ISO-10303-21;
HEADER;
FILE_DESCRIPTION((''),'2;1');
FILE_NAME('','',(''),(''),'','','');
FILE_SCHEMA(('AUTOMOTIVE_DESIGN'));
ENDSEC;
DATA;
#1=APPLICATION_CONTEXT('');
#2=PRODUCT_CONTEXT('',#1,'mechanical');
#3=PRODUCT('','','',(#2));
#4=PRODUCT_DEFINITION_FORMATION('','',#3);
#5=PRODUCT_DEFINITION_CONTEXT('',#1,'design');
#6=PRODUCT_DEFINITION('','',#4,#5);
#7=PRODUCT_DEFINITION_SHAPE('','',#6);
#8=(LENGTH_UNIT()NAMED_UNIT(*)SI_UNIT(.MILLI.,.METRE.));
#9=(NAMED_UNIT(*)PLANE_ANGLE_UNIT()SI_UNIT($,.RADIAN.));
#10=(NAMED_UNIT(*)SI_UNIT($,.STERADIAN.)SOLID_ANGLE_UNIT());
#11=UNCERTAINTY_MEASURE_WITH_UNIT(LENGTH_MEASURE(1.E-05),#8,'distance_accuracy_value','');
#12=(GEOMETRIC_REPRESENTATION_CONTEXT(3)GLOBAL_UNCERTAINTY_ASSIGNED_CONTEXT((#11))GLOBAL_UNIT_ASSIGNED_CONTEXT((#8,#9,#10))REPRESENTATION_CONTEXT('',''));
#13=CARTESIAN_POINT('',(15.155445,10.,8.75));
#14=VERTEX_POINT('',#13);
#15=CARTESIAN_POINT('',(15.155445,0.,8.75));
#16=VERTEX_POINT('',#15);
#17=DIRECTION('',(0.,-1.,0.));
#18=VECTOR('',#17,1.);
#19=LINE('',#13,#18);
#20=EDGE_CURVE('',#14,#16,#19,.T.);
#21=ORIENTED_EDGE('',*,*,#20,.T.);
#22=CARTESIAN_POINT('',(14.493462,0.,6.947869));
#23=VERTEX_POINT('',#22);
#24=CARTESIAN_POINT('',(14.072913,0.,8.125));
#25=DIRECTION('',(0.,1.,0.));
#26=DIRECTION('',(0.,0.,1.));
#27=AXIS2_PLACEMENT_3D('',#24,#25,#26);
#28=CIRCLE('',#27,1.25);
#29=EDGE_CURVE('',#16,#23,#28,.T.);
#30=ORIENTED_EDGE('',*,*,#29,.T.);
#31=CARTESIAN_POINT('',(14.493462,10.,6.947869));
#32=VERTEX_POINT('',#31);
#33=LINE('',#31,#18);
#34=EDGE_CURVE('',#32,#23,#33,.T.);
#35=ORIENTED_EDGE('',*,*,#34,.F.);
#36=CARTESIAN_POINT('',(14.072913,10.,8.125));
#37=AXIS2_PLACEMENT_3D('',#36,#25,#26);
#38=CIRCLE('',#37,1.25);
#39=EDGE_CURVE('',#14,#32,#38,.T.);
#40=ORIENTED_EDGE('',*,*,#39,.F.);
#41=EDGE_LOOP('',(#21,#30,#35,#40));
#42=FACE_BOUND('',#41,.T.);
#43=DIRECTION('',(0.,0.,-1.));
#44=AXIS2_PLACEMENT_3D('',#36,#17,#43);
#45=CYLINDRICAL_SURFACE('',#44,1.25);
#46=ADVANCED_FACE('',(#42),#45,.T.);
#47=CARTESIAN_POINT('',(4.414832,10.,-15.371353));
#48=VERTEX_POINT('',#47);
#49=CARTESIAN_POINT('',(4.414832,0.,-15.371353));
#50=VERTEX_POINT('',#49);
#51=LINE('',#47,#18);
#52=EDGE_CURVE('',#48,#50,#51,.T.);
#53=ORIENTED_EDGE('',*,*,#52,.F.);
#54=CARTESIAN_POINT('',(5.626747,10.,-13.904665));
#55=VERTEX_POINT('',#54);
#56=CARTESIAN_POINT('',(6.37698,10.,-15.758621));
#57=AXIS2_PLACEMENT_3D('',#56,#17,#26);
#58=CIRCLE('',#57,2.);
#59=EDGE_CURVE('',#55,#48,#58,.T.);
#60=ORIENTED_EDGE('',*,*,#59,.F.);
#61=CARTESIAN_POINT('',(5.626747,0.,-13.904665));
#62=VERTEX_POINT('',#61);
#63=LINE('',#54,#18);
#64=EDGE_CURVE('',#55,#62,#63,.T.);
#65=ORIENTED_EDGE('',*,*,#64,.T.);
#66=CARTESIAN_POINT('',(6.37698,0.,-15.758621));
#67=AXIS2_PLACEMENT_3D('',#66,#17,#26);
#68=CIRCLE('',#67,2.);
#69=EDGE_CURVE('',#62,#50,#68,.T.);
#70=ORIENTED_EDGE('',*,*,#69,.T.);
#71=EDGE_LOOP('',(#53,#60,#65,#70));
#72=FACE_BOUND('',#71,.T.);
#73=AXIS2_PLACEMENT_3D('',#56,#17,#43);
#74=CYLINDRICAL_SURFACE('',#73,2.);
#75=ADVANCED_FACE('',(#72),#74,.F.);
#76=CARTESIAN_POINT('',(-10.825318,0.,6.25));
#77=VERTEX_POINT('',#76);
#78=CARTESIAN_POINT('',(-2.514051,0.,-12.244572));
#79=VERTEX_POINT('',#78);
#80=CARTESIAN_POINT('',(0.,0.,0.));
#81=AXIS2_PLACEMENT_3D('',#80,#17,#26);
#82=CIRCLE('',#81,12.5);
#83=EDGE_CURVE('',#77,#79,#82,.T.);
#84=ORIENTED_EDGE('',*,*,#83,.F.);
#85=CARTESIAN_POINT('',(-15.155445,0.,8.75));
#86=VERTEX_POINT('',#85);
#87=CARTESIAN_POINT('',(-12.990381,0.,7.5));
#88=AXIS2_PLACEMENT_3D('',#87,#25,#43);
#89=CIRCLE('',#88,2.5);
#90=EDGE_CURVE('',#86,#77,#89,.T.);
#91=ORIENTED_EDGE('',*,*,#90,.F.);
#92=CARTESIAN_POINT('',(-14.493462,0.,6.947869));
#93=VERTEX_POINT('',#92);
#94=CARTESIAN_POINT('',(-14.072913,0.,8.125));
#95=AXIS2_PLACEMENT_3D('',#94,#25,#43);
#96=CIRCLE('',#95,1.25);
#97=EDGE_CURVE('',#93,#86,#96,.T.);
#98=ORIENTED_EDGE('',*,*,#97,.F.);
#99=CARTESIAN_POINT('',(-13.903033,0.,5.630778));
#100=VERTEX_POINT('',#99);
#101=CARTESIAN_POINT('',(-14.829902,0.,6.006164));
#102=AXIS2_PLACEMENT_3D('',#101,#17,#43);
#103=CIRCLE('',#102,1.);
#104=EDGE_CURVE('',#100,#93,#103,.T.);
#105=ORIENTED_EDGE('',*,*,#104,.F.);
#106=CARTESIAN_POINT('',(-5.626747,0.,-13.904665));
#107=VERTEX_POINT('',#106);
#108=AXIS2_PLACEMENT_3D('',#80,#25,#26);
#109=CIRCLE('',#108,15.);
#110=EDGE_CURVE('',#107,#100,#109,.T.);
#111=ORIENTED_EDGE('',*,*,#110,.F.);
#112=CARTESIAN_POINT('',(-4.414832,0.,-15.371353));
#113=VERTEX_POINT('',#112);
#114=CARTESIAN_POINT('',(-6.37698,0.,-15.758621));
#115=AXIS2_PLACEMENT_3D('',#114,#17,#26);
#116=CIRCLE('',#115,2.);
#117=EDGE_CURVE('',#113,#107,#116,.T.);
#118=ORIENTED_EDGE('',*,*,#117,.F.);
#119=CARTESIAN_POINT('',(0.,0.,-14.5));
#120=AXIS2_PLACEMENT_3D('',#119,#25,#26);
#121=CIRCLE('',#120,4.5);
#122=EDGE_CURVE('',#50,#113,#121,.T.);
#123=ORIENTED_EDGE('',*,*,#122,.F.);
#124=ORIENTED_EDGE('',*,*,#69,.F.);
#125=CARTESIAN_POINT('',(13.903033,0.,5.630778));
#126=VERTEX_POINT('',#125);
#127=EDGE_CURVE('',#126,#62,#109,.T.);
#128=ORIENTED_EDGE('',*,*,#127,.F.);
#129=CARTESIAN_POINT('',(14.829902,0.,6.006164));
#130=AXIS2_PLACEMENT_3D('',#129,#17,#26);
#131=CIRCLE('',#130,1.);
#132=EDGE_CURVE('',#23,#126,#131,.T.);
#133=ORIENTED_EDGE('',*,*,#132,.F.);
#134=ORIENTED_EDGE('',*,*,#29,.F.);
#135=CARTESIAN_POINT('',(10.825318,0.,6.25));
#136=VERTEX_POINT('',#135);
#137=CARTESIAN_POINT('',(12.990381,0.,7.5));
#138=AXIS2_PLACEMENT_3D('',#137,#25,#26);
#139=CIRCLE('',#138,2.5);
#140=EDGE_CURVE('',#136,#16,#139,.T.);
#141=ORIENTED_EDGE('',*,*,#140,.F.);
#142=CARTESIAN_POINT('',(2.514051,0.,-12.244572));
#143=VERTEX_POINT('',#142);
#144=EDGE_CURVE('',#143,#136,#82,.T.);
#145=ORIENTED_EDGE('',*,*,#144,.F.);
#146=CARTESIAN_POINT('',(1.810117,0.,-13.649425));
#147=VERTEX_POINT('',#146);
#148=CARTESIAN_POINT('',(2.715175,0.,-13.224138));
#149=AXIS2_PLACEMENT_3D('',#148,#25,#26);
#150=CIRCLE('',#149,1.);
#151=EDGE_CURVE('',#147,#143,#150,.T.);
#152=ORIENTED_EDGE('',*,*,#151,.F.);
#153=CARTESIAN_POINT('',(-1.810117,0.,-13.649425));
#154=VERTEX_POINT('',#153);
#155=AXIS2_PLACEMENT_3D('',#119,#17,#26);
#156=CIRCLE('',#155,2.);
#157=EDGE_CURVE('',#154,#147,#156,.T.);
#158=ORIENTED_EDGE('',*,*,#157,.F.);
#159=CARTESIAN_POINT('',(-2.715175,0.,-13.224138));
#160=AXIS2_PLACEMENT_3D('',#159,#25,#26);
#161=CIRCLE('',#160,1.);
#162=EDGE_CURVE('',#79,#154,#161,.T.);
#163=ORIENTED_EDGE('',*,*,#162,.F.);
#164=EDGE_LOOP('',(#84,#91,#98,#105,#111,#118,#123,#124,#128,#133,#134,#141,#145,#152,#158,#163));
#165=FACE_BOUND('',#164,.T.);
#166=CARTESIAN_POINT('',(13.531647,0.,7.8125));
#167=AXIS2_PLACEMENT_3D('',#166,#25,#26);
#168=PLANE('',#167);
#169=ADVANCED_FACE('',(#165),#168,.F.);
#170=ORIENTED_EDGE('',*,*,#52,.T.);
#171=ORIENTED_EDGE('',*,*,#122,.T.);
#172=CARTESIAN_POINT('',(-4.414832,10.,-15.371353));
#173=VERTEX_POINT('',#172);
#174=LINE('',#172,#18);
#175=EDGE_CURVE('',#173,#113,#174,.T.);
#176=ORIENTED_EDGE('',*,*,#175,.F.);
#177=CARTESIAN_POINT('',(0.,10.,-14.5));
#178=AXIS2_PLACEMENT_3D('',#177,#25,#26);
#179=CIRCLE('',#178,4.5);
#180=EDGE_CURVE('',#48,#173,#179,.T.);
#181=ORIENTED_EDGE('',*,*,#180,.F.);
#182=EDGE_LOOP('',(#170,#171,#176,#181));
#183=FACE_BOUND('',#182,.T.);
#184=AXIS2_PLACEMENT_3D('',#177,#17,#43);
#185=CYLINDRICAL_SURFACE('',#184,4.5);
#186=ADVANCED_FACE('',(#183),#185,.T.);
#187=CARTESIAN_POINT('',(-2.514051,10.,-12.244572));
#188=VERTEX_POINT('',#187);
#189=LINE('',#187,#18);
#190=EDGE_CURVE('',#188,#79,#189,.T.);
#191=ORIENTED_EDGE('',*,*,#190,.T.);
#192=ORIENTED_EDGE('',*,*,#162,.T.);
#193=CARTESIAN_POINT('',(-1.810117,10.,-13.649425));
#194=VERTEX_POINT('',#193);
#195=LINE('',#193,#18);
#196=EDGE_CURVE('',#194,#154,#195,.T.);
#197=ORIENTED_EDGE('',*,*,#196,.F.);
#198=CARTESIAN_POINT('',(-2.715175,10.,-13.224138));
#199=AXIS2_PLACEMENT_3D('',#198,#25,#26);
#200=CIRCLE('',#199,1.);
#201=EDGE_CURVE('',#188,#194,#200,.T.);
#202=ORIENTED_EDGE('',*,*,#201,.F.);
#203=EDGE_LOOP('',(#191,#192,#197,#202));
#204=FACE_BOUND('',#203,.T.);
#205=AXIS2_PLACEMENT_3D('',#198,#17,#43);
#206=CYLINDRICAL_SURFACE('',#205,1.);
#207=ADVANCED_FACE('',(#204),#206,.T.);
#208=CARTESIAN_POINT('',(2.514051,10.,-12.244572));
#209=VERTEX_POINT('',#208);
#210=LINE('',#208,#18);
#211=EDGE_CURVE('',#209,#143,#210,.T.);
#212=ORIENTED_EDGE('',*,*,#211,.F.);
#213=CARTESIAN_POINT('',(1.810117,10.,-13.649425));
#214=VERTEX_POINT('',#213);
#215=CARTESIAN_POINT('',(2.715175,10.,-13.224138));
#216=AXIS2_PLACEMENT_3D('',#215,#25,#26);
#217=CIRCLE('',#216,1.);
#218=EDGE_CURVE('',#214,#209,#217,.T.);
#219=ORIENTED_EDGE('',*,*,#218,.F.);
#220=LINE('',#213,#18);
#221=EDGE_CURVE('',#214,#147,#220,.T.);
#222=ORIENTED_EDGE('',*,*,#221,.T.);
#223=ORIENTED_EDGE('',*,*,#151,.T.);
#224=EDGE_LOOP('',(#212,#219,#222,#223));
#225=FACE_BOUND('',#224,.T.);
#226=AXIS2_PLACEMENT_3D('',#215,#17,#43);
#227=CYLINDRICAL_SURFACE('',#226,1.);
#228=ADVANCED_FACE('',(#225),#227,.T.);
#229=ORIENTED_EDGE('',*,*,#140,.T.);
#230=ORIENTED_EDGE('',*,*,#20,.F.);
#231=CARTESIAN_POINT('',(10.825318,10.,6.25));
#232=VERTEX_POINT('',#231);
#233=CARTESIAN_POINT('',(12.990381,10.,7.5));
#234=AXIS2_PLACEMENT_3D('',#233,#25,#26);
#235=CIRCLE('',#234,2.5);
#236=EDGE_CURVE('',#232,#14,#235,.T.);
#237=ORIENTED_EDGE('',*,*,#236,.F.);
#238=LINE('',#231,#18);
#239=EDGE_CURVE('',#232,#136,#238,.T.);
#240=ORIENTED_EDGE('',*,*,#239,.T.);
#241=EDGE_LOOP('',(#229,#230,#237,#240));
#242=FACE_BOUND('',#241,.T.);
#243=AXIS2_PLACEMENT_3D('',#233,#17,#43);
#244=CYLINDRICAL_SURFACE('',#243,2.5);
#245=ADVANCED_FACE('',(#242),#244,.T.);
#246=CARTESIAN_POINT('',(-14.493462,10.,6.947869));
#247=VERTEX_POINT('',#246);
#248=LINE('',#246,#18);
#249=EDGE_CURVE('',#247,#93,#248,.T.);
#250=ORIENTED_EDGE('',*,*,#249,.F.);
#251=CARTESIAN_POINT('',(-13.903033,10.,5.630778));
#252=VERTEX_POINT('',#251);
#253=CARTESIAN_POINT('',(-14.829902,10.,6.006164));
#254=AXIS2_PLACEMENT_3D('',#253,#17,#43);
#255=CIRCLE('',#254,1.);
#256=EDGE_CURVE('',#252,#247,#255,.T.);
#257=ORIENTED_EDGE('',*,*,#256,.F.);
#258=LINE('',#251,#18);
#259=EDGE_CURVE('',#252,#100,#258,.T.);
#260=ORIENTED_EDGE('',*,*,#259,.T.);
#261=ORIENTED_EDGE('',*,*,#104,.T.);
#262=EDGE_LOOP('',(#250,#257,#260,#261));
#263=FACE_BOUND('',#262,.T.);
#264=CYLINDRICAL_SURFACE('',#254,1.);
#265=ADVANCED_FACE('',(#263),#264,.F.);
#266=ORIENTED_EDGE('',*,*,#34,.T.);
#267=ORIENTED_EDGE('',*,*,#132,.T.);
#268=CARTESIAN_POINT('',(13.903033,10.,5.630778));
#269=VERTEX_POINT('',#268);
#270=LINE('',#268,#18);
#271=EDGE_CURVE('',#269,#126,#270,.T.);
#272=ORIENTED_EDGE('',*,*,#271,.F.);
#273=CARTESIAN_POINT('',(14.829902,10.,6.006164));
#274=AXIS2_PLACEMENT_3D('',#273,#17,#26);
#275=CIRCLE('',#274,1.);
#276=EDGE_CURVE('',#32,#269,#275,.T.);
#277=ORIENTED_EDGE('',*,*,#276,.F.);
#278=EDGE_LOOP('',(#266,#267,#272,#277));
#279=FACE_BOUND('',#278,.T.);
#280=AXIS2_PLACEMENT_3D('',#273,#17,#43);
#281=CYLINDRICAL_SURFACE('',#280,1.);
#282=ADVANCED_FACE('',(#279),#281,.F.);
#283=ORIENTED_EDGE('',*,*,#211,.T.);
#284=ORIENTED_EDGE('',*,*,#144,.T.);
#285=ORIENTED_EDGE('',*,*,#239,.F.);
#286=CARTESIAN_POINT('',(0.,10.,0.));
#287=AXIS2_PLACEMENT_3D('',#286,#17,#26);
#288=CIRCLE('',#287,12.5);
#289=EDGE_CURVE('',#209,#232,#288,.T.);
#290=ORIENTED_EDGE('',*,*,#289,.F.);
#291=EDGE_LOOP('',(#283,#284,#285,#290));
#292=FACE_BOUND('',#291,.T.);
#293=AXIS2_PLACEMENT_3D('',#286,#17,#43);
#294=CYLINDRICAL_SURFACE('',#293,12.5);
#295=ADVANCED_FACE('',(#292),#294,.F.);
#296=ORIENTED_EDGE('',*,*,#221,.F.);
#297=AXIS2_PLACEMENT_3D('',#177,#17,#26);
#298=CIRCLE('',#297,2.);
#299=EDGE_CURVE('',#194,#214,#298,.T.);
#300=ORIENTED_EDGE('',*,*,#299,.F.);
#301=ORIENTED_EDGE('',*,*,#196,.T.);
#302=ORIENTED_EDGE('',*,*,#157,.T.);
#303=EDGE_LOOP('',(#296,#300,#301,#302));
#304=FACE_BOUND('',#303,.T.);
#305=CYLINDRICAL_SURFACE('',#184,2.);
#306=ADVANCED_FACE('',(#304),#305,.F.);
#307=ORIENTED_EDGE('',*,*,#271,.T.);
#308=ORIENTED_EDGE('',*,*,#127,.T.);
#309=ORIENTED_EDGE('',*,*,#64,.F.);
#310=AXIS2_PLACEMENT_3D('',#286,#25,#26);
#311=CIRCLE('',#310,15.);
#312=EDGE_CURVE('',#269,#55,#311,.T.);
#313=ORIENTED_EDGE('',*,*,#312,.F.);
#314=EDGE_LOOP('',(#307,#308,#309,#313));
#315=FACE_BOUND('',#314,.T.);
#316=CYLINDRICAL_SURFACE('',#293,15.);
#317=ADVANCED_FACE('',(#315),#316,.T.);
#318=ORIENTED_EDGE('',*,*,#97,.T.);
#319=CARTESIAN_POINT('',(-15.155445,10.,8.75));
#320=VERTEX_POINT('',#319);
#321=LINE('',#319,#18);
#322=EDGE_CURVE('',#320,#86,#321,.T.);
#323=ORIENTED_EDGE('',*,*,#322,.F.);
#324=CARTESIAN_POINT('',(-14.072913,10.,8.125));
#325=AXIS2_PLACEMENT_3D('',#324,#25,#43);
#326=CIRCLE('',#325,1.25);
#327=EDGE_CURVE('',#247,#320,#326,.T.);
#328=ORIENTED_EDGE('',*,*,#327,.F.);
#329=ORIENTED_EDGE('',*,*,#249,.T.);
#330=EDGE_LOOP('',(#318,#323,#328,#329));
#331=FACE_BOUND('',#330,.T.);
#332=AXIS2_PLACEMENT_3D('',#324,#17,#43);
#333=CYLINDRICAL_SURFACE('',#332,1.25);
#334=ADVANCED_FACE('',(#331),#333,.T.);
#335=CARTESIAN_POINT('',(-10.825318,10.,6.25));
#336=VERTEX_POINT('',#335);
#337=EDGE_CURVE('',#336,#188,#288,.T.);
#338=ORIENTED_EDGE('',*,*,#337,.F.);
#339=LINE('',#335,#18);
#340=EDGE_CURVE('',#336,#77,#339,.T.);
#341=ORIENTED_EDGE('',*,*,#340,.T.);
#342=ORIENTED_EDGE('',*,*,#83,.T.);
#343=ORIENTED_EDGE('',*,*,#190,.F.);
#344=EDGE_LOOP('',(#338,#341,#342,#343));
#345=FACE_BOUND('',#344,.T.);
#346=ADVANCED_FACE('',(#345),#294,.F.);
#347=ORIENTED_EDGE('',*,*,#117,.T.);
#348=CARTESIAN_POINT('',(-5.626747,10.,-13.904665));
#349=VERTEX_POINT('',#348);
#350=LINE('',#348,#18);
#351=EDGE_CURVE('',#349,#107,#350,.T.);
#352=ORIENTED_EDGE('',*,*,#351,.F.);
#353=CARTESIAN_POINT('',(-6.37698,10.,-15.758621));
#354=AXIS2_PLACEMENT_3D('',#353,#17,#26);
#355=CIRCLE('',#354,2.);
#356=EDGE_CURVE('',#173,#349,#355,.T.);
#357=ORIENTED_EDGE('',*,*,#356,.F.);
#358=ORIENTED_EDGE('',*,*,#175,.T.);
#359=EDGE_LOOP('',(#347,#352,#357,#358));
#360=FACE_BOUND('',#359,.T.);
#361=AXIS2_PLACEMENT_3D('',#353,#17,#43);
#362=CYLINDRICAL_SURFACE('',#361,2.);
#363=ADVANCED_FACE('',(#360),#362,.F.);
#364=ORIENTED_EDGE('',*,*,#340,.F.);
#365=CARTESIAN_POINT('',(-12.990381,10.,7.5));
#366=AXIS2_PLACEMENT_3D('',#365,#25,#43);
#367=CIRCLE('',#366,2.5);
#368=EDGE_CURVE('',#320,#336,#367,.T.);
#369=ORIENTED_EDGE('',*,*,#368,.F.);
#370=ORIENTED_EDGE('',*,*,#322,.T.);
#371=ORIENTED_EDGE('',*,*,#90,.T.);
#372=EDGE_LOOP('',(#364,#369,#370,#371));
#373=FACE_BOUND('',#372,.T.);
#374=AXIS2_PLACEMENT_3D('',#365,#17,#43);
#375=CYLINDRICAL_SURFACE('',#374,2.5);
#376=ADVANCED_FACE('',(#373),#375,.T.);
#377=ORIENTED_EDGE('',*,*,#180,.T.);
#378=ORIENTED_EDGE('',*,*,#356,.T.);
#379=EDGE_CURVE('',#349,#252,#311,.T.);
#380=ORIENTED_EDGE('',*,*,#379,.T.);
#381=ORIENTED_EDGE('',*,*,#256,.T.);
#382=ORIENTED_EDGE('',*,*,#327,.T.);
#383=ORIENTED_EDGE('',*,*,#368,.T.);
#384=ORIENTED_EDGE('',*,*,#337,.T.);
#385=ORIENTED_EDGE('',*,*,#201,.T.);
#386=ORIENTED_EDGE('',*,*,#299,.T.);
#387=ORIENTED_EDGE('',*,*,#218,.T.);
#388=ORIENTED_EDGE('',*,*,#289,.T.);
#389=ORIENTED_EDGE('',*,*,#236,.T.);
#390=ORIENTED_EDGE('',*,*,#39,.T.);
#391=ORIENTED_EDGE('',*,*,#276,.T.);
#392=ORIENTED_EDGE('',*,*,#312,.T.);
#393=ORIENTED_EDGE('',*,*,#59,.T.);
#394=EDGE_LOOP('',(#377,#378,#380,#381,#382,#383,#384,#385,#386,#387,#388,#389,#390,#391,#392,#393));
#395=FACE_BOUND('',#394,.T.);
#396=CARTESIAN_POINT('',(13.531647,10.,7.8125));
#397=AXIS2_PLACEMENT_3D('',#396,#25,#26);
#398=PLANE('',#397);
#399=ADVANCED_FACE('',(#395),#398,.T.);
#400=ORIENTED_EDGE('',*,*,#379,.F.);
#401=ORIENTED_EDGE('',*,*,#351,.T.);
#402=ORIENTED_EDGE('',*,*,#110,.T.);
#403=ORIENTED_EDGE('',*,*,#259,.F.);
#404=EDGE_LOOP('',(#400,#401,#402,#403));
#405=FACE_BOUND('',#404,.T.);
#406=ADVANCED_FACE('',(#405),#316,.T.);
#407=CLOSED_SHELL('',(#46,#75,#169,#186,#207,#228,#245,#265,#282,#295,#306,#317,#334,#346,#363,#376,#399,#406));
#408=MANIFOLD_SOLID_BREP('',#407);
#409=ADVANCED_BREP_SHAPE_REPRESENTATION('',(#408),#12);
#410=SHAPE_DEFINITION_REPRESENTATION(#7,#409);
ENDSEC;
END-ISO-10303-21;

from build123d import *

# Parameters (mm, degrees)
SKETCH2_R               = 10.5
BOSS_EXTRUDE1_DEPTH     = 42
SKETCH3_R               = 12.5
BOSS_EXTRUDE2_DEPTH     = 4
SKETCH4_R               = 2.5
CUT_EXTRUDE1_DEPTH      = 12
CUT_EXTRUDE2_DEPTH      = 6
SKETCH6_R               = 12.5
SKETCH6_R_2             = 3.35
BOSS_EXTRUDE3_DEPTH     = 1
SKETCH8_W               = 3
SKETCH8_H               = 0.5
SKETCH8_W_2             = 0.5
SKETCH8_H_2             = 3
BOSS_EXTRUDE4_DEPTH     = 42
CHAMFER1_SIZE           = 1
CUT_EXTRUDE3_DEPTH      = 51.214539727
CUT_EXTRUDE3_DEPTH_BACK = 51.214539727
SKETCH7_R               = 3.5
BOSS_EXTRUDE11_DEPTH    = 10


with BuildPart() as part:
    # Sketch2 → Boss-Extrude1 (new body)
    with BuildSketch(Plane(origin=(0, 0, 0), x_dir=(1, 0, 0), z_dir=(0, 1, 0))):
        with Locations(Location((0, 0, 0), (0, 0, 90))):
            Circle(SKETCH2_R)
    extrude(amount=BOSS_EXTRUDE1_DEPTH)

    # Sketch3 → Boss-Extrude2 (add)
    with BuildSketch(Plane(origin=(0, 42, 0), x_dir=(1, 0, 0), z_dir=(0, 1, 0))):
        with Locations(Location((0, 0, 0), (0, 0, 270))):
            Circle(SKETCH3_R)
    extrude(amount=BOSS_EXTRUDE2_DEPTH)

    # Sketch4 → Cut-Extrude1 (cut)
    with BuildSketch(Plane(origin=(0, 46, 0), x_dir=(1, 0, 0), z_dir=(0, 1, 0))):
        with Locations(Location((0, 0, 0), (0, 0, 270))):
            Circle(SKETCH4_R)
    extrude(amount=-CUT_EXTRUDE1_DEPTH, mode=Mode.SUBTRACT)

    # Sketch5 → Cut-Extrude2 (cut)
    with BuildSketch(Plane.XZ.offset(-35)):
        Polygon((-4.734272207, 0), (-2.367136104, -4.1), (2.367136104, -4.1), (4.734272207, 0), (2.367136104, 4.1), (-2.367136104, 4.1), align=None)
    extrude(amount=-CUT_EXTRUDE2_DEPTH, mode=Mode.SUBTRACT)

    # Sketch6 → Boss-Extrude3 (add)
    with BuildSketch(Plane(origin=(0, 46, 0), x_dir=(1, 0, 0), z_dir=(0, 1, 0))):
        with Locations(Location((0, 0, 0), (0, 0, 270))):
            Circle(SKETCH6_R)
        with Locations(Location((0, 0, 0), (0, 0, 270))):
            Circle(SKETCH6_R_2, mode=Mode.SUBTRACT)
    extrude(amount=BOSS_EXTRUDE3_DEPTH)

    # Sketch8 → Boss-Extrude4 (add)
    with BuildSketch(Plane.XZ):
        Polygon((6.541030619, 8.662765176), (8.662350963, 6.541444833), (8.308797572, 6.187891442), (6.187477229, 8.309211786), align=None)
        with Locations((0, 10.5)):
            Rectangle(SKETCH8_W, SKETCH8_H)
        with Locations((10.501, 0.001)):
            Rectangle(SKETCH8_W_2, SKETCH8_H_2)
        Polygon((8.663765176, -6.540030619), (6.542444833, -8.661350963), (6.188891442, -8.307797572), (8.310211786, -6.186477229), align=None)
        with Locations((0.002, -10.5)):
            Rectangle(SKETCH8_W, SKETCH8_H)
        Polygon((-6.539030619, -8.662765176), (-8.660350963, -6.541444833), (-8.306797572, -6.187891442), (-6.185477229, -8.309211786), align=None)
        with Locations((-10.499, -0.001)):
            Rectangle(SKETCH8_W_2, SKETCH8_H_2)
        Polygon((-8.661765176, 6.540030619), (-6.540444833, 8.661350963), (-6.186891442, 8.307797572), (-8.308211786, 6.186477229), align=None)
    extrude(amount=-BOSS_EXTRUDE4_DEPTH)

    # Chamfer1
    chamfer1_edges = [part.edges().sort_by_distance(p)[0] for p in [
        (-4.016445773, 0, -9.70145161),
        (-1.498, 0, -10.571296662),
        (0.002, 0, -10.75),
        (1.502, 0, -10.571007987),
        (-9.700211661, 0, -4.019439479),
        (-8.534223693, 0, -6.415317563),
        (-7.599690791, 0, -7.602105005),
        (-6.412729118, 0, -8.536463676),
        (-9.700985019, 0, 4.017572607),
        (-10.570724567, 0, 1.499),
        (-10.749, 0, -0.001),
        (-10.570580229, 0, -1.501),
        (-4.01831274, 0, 9.700678467),
        (-6.414245443, 0, 8.535151573),
        (-7.601105005, 0, 7.600690791),
        (-8.535535893, 0, 6.413801336),
        (4.018039338, 0, 9.700791714),
        (1.5, 0, 10.571152423),
        (0, 0, 10.75),
        (-1.5, 0, 10.571152423),
        (9.700485123, 0, 4.018779463),
        (8.535651573, 0, 6.414745443),
        (7.601690791, 0, 7.602105005),
        (6.414301336, 0, 8.536035893),
        (9.701258362, 0, -4.01691252),
        (10.571724567, 0, -1.499),
        (10.751, 0, 0.001),
        (10.571580229, 0, 1.501),
        (4.019906186, 0, -9.700018261),
        (6.415817563, 0, -8.534723693),
        (7.603105005, 0, -7.600690791),
        (8.536963676, 0, -6.413229118),
    ]]
    chamfer(chamfer1_edges, length=CHAMFER1_SIZE)

    # Sketch7 → Cut-Extrude3 (cut, two sides: drawn at the far end of the back side and taken through both)
    with BuildSketch(Plane(origin=(0, 0, 0), x_dir=(0, 0, -1), z_dir=(1, 0, 0)).offset(-CUT_EXTRUDE3_DEPTH_BACK)):
        with Locations(Location((0, 17, 0), (0, 0, 64.604946599))):
            Circle(SKETCH7_R)
    extrude(amount=CUT_EXTRUDE3_DEPTH + CUT_EXTRUDE3_DEPTH_BACK, mode=Mode.SUBTRACT)


with BuildPart() as body_2:
    # Sketch36 → Boss-Extrude11 (new body)
    with BuildSketch(Plane(origin=(0, 0, 0), x_dir=(1, 0, 0), z_dir=(0, 1, 0))):
        with BuildLine():
            ThreePointArc((10.825317547, -6.25), (11.401622185, 5.123769272), (2.514051045, 12.244572158))
            ThreePointArc((2.514051045, 12.244572158), (1.821132072, 12.77615689), (1.810116753, 13.649425287))
            ThreePointArc((1.810116753, 13.649425287), (0, 16.5), (-1.810116753, 13.649425287))
            ThreePointArc((-1.810116753, 13.649425287), (-1.821132072, 12.77615689), (-2.514051045, 12.244572158))
            ThreePointArc((-2.514051045, 12.244572158), (-11.401622185, 5.123769272), (-10.825317547, -6.25))
            ThreePointArc((-10.825317547, -6.25), (-11.740381057, -9.665063509), (-15.155444566, -8.75))
            ThreePointArc((-15.155444566, -8.75), (-15.246255337, -7.69399267), (-14.493462435, -6.947868736))
            ThreePointArc((-14.493462435, -6.947868736), (-13.917395246, -6.415225062), (-13.903033251, -5.630778491))
            ThreePointArc((-13.903033251, -5.630778491), (-13.811642586, 5.851369845), (-5.626747062, 13.904665314))
            ThreePointArc((-5.626747062, 13.904665314), (-4.835213091, 14.484668262), (-4.41483231, 15.371352785))
            ThreePointArc((-4.41483231, 15.371352785), (0, 19), (4.41483231, 15.371352785))
            ThreePointArc((4.41483231, 15.371352785), (4.835213091, 14.484668262), (5.626747062, 13.904665314))
            ThreePointArc((5.626747062, 13.904665314), (13.811642586, 5.851369845), (13.903033251, -5.630778491))
            ThreePointArc((13.903033251, -5.630778491), (13.917395246, -6.415225062), (14.493462435, -6.947868736))
            ThreePointArc((14.493462435, -6.947868736), (15.246255337, -7.69399267), (15.155444566, -8.75))
            ThreePointArc((15.155444566, -8.75), (11.740381057, -9.665063509), (10.825317547, -6.25))
        make_face()
    extrude(amount=BOSS_EXTRUDE11_DEPTH)


solid = body_2.part
